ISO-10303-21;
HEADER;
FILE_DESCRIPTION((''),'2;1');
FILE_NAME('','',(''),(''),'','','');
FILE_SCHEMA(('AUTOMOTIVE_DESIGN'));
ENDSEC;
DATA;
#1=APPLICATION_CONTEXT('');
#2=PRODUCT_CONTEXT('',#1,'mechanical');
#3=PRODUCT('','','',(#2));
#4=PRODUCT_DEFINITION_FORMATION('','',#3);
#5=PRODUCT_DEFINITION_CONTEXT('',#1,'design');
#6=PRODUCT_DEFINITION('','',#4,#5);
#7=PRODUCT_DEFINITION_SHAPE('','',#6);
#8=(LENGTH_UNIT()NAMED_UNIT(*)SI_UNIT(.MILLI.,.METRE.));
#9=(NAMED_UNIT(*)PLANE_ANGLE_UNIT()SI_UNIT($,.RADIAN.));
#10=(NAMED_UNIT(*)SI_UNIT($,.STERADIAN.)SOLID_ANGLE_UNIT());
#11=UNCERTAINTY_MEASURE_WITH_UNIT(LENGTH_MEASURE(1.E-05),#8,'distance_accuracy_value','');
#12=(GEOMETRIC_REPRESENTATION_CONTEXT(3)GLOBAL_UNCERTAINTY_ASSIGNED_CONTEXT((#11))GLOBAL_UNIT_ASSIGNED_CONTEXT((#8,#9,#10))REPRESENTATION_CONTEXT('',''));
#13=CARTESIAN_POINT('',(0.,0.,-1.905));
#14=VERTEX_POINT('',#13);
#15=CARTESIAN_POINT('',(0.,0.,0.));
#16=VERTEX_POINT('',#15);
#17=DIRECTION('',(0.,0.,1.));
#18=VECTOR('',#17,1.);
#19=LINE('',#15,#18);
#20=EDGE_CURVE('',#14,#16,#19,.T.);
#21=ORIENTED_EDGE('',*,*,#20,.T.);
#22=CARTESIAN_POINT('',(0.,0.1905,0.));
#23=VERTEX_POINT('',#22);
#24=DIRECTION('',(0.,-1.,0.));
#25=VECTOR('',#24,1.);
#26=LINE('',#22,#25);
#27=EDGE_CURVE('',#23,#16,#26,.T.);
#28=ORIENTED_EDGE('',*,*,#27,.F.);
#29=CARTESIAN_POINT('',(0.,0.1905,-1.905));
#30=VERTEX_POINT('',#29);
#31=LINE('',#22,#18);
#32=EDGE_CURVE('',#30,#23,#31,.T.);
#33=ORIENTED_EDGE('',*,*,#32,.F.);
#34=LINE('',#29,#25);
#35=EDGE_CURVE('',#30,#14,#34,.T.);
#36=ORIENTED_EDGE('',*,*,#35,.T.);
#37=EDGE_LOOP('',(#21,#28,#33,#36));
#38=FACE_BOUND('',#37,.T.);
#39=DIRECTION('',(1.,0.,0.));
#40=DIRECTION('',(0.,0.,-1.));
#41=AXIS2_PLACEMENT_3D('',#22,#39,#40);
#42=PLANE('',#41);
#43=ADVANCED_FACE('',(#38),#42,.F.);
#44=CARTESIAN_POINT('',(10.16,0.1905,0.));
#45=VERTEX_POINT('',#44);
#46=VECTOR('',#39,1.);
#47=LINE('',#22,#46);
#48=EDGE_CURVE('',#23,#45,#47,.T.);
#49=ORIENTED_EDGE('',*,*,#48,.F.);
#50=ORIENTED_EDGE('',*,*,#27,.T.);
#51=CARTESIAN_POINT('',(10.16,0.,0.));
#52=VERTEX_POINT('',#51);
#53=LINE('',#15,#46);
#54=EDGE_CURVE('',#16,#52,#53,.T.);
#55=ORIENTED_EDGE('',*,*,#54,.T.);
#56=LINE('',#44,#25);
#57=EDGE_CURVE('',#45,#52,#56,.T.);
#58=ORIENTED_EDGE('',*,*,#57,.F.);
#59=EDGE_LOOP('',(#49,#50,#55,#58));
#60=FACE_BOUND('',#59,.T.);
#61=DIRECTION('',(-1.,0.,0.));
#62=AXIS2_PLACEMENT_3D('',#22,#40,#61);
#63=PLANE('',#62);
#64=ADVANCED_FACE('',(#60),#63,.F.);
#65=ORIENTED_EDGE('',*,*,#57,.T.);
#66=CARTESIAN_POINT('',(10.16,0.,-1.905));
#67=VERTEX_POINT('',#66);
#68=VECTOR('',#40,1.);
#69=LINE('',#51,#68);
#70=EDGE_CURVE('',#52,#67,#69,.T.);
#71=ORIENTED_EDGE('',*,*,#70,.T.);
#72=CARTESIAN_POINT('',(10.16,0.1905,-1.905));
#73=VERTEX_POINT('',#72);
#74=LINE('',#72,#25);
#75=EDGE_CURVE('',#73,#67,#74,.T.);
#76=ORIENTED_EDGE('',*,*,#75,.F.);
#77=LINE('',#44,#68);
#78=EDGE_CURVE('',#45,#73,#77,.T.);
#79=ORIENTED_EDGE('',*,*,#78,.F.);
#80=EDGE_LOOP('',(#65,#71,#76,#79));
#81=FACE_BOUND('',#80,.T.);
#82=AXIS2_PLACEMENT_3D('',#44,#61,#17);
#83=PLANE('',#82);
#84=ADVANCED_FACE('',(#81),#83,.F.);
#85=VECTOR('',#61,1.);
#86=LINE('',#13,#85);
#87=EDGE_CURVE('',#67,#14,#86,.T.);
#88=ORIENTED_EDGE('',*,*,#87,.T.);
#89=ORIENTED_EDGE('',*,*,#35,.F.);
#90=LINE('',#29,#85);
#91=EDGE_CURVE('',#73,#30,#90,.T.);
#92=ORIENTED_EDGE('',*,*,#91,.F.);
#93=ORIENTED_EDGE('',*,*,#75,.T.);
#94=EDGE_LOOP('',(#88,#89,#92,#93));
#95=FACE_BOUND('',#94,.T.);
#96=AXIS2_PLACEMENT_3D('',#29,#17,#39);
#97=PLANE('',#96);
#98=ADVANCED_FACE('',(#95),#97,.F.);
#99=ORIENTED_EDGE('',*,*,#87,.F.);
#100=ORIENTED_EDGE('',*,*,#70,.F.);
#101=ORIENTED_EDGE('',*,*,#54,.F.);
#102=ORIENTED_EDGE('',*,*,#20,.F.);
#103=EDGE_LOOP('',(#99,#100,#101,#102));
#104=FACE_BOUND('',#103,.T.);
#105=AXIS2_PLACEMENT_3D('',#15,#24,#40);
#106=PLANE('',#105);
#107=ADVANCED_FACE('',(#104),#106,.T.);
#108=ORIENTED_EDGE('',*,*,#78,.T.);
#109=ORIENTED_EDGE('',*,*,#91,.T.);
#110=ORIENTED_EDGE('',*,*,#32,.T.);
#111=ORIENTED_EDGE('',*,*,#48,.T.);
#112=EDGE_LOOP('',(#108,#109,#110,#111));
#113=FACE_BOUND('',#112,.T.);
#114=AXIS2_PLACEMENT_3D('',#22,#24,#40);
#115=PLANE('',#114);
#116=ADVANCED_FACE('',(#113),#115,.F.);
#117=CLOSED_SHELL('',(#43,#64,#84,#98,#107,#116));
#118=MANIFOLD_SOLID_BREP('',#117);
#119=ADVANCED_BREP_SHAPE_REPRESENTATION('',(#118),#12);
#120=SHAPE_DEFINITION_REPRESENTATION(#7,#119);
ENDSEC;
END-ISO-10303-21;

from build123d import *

# Parameters (mm, degrees)
SKETCH1_W           = 10.16
SKETCH1_H           = 1.905
BOSS_EXTRUDE1_DEPTH = 0.1905


with BuildPart() as part:
    # Sketch1 → Boss-Extrude1 (new body)
    with BuildSketch(Plane(origin=(0, 0, 0), x_dir=(1, 0, 0), z_dir=(0, 1, 0))):
        with Locations((5.08, 0.9525)):
            Rectangle(SKETCH1_W, SKETCH1_H)
    extrude(amount=BOSS_EXTRUDE1_DEPTH)


solid = part.part
